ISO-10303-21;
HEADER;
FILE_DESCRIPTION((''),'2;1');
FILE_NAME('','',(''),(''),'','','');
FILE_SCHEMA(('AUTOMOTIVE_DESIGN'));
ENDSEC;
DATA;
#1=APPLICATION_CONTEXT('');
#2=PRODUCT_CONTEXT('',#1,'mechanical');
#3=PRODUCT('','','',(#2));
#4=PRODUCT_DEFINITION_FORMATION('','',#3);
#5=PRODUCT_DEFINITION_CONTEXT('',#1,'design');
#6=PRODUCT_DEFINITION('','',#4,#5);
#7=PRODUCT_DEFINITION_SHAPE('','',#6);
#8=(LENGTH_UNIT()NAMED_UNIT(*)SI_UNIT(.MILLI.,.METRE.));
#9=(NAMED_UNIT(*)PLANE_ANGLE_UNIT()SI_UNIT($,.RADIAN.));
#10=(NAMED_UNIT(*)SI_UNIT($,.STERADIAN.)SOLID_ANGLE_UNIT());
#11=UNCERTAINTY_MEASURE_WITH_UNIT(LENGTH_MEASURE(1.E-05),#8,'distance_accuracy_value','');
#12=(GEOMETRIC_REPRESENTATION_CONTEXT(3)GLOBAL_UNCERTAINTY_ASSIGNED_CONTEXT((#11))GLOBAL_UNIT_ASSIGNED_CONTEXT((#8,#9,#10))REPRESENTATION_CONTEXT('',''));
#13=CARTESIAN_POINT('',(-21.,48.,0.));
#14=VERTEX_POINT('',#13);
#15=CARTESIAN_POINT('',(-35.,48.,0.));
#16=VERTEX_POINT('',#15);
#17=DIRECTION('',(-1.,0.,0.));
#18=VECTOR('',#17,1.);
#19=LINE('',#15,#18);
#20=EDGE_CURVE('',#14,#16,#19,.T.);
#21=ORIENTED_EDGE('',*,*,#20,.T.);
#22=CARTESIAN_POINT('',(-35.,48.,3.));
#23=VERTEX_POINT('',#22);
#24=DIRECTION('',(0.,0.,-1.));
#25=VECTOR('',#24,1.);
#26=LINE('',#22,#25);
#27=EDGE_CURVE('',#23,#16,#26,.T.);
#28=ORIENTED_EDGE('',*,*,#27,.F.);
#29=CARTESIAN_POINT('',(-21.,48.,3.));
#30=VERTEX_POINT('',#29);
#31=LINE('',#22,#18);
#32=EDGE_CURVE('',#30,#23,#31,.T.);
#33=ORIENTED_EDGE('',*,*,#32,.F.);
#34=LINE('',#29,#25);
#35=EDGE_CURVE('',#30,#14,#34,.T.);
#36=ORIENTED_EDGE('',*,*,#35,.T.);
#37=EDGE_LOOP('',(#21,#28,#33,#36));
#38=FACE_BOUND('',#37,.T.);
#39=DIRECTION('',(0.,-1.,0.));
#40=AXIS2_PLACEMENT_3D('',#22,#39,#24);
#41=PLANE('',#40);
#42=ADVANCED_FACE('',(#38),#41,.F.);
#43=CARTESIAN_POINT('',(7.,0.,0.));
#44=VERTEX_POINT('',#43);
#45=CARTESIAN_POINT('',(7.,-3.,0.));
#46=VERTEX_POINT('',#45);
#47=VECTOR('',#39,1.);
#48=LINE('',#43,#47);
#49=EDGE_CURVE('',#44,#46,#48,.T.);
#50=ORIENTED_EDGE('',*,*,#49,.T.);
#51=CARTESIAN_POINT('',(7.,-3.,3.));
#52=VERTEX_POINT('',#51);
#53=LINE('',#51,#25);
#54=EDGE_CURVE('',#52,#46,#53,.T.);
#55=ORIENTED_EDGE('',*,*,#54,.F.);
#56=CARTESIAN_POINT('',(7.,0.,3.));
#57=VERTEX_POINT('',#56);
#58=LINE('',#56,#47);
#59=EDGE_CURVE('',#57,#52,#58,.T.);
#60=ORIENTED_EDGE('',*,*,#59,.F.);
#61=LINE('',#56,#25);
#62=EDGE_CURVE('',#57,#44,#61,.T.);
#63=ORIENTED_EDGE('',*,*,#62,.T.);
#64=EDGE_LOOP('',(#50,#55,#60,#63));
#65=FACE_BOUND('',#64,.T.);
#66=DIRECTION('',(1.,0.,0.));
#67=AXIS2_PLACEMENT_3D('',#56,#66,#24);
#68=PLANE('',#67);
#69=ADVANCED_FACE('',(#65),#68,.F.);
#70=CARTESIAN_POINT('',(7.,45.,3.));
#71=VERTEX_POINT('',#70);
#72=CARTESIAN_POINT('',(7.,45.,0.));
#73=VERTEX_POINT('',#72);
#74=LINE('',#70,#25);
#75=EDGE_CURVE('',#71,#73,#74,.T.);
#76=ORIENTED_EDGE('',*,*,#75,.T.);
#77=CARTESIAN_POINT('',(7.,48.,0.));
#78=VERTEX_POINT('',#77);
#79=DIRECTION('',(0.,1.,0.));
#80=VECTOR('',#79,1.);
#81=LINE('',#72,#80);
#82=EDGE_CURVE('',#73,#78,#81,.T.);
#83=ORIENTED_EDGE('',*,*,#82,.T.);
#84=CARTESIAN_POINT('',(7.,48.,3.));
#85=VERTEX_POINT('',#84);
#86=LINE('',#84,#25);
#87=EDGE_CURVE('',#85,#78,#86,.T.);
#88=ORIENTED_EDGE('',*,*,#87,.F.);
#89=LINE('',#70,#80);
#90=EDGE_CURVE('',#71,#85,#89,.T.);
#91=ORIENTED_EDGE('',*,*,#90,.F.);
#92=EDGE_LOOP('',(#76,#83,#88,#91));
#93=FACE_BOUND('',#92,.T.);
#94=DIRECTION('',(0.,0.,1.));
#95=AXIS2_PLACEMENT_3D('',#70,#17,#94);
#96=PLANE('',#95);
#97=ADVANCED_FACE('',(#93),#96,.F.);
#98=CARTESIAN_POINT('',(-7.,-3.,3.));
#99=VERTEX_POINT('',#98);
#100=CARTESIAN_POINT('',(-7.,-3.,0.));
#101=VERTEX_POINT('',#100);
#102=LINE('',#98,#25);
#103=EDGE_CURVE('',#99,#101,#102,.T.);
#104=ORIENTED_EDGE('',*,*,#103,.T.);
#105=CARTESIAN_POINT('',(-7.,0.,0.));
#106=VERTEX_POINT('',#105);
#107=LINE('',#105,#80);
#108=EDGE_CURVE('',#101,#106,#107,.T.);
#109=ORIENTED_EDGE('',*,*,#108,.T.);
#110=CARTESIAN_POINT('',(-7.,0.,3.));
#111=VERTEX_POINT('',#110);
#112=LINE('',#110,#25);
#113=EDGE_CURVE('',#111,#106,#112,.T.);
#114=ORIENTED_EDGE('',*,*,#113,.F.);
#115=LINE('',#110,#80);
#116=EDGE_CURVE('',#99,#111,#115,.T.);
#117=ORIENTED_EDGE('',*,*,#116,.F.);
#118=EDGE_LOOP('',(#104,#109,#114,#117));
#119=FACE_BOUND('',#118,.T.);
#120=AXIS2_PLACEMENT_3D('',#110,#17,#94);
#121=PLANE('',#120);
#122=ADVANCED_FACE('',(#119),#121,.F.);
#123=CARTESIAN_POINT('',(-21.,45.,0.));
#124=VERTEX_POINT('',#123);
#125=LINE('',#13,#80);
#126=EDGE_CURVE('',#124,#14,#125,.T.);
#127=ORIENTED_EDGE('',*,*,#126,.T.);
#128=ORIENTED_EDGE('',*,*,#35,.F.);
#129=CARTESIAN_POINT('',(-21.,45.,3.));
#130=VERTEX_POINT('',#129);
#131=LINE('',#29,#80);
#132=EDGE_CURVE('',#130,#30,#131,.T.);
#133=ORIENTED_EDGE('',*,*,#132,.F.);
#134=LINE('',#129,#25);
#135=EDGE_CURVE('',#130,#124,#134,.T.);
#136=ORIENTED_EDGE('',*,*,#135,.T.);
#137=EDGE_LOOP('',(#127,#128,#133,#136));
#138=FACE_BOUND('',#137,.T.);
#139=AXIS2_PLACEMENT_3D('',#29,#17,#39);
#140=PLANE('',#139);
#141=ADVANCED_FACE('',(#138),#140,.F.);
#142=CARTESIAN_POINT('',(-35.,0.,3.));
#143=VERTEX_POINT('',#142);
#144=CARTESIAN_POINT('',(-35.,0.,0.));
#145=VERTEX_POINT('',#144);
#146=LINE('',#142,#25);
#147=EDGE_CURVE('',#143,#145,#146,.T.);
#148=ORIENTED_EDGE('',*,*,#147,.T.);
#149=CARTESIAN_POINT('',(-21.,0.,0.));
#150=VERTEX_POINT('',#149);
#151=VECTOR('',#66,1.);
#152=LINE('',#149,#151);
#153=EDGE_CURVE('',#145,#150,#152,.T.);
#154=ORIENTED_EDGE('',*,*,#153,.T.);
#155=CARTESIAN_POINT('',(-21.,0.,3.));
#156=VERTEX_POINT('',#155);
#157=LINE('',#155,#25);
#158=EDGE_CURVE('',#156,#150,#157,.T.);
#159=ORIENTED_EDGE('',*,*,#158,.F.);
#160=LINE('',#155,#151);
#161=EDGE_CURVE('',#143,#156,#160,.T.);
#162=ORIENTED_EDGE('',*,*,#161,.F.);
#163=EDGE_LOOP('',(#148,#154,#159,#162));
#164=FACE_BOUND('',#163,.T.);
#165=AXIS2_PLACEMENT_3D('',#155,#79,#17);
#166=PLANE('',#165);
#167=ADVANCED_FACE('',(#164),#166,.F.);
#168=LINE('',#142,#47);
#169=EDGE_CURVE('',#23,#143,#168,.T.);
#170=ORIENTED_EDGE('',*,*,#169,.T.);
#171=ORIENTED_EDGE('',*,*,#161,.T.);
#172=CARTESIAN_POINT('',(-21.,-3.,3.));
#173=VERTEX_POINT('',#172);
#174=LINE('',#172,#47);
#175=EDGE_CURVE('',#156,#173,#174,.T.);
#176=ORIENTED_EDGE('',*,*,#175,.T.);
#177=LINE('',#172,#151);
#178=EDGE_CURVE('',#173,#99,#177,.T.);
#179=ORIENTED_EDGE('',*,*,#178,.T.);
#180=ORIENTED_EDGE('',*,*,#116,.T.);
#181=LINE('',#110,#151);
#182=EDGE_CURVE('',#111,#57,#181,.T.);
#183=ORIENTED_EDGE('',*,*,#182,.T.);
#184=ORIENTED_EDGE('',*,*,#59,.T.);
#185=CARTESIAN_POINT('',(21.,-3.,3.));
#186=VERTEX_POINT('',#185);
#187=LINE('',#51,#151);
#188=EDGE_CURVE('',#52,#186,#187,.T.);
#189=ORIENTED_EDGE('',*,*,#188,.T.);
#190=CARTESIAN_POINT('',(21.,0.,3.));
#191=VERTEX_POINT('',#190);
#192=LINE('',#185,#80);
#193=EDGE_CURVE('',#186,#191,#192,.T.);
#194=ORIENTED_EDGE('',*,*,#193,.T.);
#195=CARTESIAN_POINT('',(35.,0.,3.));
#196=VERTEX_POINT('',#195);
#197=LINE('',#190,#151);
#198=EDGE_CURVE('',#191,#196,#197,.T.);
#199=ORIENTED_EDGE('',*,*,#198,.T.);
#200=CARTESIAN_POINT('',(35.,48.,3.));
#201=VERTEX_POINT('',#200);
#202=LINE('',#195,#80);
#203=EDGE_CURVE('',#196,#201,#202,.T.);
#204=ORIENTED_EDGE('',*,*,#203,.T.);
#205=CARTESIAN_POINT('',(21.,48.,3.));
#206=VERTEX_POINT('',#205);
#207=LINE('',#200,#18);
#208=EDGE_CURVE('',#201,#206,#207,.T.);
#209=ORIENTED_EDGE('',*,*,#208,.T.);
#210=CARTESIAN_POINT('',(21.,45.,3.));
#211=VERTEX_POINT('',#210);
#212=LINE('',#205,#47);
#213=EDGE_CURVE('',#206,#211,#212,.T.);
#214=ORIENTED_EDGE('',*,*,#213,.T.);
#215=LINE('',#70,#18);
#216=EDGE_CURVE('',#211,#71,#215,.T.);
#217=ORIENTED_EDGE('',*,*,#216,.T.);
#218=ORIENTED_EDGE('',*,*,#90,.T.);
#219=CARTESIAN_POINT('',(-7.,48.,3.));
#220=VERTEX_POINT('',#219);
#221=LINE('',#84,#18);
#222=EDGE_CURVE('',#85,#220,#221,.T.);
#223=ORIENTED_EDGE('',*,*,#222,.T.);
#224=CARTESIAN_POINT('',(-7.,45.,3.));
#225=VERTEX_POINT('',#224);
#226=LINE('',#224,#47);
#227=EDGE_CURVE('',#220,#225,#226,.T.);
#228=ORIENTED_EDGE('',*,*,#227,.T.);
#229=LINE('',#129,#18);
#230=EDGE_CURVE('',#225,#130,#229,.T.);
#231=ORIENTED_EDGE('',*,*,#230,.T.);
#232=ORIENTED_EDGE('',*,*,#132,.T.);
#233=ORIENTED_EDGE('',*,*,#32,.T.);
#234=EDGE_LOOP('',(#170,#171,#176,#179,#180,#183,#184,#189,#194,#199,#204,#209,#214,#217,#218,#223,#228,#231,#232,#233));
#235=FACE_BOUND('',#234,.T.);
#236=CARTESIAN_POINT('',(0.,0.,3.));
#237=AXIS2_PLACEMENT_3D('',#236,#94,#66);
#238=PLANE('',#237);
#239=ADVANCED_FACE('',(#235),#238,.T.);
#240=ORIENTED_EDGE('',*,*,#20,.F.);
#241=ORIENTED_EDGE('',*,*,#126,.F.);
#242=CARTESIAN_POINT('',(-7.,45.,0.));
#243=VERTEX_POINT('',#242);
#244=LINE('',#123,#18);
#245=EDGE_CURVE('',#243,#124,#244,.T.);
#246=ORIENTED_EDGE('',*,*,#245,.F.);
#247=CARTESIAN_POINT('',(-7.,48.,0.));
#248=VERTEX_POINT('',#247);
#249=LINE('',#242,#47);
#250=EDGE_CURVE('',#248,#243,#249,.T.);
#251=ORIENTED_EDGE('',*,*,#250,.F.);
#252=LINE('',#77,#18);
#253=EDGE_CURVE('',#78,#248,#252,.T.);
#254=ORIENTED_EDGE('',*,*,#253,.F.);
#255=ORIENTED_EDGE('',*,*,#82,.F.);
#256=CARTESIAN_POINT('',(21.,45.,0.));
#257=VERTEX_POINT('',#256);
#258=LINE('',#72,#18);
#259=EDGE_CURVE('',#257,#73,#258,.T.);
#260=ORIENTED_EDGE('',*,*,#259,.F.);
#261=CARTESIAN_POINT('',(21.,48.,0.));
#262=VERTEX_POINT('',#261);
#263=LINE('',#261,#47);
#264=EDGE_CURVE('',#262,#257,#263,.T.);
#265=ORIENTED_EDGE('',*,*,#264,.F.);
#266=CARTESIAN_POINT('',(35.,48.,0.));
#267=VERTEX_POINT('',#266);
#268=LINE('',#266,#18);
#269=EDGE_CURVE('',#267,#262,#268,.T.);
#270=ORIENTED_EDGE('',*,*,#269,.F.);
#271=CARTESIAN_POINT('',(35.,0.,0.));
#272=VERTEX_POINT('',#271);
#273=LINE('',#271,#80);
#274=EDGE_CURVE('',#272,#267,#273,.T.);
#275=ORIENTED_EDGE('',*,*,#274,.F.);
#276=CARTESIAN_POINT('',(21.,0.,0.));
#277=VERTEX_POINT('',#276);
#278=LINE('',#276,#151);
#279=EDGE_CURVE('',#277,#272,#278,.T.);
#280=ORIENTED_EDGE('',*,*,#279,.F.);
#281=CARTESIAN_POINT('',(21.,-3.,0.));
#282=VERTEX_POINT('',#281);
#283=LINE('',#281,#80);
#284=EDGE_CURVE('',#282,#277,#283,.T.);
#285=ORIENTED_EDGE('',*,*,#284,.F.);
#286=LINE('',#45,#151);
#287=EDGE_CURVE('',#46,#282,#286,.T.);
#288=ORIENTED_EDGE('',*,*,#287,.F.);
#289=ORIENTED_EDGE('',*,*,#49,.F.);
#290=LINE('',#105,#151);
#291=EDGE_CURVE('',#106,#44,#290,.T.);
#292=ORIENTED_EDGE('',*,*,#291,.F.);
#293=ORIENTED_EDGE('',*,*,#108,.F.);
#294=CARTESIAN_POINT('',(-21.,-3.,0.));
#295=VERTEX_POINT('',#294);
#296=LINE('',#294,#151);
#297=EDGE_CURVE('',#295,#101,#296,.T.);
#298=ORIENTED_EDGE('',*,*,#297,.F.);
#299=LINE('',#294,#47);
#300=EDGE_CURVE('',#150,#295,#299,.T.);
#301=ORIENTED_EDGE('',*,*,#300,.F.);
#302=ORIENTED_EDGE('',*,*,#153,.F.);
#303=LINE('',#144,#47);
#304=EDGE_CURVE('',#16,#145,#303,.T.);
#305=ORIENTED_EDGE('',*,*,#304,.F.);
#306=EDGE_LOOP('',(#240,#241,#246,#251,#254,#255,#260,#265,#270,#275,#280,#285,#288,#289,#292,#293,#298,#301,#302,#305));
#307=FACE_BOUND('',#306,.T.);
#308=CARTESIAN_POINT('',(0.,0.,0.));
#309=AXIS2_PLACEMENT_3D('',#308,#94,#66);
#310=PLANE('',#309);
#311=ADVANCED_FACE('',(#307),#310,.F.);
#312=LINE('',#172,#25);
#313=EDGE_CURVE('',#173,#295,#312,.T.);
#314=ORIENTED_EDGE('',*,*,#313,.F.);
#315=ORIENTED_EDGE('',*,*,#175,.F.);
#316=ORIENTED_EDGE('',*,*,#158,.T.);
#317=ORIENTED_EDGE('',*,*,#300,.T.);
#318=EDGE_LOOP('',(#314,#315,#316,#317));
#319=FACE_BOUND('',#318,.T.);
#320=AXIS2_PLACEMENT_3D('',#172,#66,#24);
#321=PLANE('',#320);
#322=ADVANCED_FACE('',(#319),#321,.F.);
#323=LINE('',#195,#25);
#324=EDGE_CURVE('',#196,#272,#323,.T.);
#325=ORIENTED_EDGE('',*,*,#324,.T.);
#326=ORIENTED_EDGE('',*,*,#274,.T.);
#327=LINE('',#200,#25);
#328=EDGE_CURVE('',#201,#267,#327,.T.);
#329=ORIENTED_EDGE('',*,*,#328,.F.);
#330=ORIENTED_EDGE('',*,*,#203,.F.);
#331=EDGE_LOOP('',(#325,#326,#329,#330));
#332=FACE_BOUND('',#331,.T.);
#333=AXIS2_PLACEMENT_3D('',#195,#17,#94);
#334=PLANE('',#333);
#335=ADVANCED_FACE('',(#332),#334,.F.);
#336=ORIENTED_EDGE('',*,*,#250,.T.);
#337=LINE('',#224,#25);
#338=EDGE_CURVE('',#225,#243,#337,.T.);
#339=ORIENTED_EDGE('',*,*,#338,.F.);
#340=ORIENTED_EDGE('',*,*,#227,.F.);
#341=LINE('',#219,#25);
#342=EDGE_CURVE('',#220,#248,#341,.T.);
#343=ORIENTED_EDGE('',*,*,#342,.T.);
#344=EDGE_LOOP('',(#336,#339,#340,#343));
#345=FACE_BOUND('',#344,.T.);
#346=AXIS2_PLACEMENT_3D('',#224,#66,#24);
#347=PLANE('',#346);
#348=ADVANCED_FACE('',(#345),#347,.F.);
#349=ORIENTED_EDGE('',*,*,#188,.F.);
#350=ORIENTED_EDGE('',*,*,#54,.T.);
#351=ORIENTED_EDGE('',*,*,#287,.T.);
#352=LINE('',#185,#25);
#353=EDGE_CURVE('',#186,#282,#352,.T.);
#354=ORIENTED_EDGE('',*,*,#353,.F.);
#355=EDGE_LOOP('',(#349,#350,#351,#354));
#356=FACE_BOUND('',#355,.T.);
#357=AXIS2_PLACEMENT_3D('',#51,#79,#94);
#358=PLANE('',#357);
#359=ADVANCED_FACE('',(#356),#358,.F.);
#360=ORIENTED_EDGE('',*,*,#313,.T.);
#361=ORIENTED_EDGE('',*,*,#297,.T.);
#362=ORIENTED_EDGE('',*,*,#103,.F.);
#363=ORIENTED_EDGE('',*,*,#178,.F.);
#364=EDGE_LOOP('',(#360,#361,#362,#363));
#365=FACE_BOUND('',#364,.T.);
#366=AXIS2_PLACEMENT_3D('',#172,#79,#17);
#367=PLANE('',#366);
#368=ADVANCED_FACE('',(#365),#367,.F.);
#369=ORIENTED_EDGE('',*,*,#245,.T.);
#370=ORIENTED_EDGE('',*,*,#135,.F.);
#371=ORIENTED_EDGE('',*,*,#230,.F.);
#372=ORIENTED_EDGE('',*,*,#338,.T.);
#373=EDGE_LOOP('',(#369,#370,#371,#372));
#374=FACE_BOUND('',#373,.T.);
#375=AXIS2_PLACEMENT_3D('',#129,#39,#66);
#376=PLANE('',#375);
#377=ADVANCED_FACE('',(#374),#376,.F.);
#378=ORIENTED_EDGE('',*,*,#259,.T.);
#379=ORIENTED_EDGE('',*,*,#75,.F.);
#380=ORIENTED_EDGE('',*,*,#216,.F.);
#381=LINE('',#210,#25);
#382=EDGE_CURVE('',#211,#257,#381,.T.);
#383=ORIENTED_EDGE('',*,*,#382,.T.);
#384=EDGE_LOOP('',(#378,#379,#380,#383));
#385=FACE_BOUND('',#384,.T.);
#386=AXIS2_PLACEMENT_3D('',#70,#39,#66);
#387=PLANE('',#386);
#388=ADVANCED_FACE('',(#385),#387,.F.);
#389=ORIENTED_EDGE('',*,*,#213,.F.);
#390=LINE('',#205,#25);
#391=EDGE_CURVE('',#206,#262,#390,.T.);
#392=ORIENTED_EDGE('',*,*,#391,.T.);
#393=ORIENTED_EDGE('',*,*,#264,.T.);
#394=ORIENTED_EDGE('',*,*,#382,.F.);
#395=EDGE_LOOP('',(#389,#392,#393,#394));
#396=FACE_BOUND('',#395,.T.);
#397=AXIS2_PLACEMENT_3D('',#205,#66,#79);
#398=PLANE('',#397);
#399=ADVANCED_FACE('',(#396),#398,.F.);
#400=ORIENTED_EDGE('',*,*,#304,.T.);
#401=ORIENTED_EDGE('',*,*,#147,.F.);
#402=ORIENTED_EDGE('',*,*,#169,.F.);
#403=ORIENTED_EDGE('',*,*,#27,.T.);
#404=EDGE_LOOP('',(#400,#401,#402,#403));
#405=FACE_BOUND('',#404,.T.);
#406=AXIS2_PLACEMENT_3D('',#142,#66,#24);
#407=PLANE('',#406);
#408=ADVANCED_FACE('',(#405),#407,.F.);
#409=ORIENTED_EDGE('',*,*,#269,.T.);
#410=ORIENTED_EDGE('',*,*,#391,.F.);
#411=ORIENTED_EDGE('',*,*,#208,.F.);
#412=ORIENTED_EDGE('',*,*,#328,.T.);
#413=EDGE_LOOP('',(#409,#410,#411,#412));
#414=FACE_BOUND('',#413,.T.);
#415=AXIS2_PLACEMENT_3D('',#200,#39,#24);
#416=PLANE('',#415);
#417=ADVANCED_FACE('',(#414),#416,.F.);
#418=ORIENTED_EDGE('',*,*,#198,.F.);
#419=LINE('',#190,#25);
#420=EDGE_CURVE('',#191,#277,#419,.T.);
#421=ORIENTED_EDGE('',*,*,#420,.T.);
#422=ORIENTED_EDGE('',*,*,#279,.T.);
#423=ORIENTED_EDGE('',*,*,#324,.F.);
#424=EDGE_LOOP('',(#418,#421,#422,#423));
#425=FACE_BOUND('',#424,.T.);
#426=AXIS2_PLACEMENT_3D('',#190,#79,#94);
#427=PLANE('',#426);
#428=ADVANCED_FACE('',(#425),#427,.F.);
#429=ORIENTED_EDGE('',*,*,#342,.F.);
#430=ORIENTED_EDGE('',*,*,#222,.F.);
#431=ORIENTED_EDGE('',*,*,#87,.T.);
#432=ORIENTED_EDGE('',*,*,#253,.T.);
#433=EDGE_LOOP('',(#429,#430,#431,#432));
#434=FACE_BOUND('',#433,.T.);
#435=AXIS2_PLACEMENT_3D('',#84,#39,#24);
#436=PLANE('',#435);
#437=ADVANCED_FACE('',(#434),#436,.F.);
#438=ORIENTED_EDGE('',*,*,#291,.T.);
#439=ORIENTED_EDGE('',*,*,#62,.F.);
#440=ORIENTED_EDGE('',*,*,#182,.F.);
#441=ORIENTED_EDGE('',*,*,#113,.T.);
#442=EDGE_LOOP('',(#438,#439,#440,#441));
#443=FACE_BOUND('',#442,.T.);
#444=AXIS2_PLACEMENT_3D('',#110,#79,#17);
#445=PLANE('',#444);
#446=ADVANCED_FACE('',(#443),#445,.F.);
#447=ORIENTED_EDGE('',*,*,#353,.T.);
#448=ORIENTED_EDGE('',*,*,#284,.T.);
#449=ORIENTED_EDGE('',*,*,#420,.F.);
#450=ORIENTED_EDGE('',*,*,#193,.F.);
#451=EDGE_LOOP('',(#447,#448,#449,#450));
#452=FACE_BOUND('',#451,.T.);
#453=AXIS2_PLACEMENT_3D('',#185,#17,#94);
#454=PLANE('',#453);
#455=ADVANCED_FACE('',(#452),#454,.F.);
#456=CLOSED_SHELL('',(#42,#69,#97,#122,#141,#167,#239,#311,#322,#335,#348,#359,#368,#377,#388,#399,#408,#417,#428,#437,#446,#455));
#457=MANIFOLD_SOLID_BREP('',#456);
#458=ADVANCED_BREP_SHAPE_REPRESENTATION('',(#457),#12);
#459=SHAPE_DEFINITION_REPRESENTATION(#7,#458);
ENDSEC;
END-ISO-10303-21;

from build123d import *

# Parameters (mm, degrees)
BOSS_EXTRUDE1_DEPTH = 3


with BuildPart() as part:
    # Sketch1 → Boss-Extrude1 (new body)
    with BuildSketch(Plane.XY):
        Polygon((-7, 0), (7, 0), (7, -3), (21, -3), (21, 0), (35, 0), (35, 48), (21, 48), (21, 45), (7, 45), (7, 48), (-7, 48), (-7, 45), (-21, 45), (-21, 48), (-35, 48), (-35, 0), (-21, 0), (-21, -3), (-7, -3), align=None)
    extrude(amount=BOSS_EXTRUDE1_DEPTH)


solid = part.part
